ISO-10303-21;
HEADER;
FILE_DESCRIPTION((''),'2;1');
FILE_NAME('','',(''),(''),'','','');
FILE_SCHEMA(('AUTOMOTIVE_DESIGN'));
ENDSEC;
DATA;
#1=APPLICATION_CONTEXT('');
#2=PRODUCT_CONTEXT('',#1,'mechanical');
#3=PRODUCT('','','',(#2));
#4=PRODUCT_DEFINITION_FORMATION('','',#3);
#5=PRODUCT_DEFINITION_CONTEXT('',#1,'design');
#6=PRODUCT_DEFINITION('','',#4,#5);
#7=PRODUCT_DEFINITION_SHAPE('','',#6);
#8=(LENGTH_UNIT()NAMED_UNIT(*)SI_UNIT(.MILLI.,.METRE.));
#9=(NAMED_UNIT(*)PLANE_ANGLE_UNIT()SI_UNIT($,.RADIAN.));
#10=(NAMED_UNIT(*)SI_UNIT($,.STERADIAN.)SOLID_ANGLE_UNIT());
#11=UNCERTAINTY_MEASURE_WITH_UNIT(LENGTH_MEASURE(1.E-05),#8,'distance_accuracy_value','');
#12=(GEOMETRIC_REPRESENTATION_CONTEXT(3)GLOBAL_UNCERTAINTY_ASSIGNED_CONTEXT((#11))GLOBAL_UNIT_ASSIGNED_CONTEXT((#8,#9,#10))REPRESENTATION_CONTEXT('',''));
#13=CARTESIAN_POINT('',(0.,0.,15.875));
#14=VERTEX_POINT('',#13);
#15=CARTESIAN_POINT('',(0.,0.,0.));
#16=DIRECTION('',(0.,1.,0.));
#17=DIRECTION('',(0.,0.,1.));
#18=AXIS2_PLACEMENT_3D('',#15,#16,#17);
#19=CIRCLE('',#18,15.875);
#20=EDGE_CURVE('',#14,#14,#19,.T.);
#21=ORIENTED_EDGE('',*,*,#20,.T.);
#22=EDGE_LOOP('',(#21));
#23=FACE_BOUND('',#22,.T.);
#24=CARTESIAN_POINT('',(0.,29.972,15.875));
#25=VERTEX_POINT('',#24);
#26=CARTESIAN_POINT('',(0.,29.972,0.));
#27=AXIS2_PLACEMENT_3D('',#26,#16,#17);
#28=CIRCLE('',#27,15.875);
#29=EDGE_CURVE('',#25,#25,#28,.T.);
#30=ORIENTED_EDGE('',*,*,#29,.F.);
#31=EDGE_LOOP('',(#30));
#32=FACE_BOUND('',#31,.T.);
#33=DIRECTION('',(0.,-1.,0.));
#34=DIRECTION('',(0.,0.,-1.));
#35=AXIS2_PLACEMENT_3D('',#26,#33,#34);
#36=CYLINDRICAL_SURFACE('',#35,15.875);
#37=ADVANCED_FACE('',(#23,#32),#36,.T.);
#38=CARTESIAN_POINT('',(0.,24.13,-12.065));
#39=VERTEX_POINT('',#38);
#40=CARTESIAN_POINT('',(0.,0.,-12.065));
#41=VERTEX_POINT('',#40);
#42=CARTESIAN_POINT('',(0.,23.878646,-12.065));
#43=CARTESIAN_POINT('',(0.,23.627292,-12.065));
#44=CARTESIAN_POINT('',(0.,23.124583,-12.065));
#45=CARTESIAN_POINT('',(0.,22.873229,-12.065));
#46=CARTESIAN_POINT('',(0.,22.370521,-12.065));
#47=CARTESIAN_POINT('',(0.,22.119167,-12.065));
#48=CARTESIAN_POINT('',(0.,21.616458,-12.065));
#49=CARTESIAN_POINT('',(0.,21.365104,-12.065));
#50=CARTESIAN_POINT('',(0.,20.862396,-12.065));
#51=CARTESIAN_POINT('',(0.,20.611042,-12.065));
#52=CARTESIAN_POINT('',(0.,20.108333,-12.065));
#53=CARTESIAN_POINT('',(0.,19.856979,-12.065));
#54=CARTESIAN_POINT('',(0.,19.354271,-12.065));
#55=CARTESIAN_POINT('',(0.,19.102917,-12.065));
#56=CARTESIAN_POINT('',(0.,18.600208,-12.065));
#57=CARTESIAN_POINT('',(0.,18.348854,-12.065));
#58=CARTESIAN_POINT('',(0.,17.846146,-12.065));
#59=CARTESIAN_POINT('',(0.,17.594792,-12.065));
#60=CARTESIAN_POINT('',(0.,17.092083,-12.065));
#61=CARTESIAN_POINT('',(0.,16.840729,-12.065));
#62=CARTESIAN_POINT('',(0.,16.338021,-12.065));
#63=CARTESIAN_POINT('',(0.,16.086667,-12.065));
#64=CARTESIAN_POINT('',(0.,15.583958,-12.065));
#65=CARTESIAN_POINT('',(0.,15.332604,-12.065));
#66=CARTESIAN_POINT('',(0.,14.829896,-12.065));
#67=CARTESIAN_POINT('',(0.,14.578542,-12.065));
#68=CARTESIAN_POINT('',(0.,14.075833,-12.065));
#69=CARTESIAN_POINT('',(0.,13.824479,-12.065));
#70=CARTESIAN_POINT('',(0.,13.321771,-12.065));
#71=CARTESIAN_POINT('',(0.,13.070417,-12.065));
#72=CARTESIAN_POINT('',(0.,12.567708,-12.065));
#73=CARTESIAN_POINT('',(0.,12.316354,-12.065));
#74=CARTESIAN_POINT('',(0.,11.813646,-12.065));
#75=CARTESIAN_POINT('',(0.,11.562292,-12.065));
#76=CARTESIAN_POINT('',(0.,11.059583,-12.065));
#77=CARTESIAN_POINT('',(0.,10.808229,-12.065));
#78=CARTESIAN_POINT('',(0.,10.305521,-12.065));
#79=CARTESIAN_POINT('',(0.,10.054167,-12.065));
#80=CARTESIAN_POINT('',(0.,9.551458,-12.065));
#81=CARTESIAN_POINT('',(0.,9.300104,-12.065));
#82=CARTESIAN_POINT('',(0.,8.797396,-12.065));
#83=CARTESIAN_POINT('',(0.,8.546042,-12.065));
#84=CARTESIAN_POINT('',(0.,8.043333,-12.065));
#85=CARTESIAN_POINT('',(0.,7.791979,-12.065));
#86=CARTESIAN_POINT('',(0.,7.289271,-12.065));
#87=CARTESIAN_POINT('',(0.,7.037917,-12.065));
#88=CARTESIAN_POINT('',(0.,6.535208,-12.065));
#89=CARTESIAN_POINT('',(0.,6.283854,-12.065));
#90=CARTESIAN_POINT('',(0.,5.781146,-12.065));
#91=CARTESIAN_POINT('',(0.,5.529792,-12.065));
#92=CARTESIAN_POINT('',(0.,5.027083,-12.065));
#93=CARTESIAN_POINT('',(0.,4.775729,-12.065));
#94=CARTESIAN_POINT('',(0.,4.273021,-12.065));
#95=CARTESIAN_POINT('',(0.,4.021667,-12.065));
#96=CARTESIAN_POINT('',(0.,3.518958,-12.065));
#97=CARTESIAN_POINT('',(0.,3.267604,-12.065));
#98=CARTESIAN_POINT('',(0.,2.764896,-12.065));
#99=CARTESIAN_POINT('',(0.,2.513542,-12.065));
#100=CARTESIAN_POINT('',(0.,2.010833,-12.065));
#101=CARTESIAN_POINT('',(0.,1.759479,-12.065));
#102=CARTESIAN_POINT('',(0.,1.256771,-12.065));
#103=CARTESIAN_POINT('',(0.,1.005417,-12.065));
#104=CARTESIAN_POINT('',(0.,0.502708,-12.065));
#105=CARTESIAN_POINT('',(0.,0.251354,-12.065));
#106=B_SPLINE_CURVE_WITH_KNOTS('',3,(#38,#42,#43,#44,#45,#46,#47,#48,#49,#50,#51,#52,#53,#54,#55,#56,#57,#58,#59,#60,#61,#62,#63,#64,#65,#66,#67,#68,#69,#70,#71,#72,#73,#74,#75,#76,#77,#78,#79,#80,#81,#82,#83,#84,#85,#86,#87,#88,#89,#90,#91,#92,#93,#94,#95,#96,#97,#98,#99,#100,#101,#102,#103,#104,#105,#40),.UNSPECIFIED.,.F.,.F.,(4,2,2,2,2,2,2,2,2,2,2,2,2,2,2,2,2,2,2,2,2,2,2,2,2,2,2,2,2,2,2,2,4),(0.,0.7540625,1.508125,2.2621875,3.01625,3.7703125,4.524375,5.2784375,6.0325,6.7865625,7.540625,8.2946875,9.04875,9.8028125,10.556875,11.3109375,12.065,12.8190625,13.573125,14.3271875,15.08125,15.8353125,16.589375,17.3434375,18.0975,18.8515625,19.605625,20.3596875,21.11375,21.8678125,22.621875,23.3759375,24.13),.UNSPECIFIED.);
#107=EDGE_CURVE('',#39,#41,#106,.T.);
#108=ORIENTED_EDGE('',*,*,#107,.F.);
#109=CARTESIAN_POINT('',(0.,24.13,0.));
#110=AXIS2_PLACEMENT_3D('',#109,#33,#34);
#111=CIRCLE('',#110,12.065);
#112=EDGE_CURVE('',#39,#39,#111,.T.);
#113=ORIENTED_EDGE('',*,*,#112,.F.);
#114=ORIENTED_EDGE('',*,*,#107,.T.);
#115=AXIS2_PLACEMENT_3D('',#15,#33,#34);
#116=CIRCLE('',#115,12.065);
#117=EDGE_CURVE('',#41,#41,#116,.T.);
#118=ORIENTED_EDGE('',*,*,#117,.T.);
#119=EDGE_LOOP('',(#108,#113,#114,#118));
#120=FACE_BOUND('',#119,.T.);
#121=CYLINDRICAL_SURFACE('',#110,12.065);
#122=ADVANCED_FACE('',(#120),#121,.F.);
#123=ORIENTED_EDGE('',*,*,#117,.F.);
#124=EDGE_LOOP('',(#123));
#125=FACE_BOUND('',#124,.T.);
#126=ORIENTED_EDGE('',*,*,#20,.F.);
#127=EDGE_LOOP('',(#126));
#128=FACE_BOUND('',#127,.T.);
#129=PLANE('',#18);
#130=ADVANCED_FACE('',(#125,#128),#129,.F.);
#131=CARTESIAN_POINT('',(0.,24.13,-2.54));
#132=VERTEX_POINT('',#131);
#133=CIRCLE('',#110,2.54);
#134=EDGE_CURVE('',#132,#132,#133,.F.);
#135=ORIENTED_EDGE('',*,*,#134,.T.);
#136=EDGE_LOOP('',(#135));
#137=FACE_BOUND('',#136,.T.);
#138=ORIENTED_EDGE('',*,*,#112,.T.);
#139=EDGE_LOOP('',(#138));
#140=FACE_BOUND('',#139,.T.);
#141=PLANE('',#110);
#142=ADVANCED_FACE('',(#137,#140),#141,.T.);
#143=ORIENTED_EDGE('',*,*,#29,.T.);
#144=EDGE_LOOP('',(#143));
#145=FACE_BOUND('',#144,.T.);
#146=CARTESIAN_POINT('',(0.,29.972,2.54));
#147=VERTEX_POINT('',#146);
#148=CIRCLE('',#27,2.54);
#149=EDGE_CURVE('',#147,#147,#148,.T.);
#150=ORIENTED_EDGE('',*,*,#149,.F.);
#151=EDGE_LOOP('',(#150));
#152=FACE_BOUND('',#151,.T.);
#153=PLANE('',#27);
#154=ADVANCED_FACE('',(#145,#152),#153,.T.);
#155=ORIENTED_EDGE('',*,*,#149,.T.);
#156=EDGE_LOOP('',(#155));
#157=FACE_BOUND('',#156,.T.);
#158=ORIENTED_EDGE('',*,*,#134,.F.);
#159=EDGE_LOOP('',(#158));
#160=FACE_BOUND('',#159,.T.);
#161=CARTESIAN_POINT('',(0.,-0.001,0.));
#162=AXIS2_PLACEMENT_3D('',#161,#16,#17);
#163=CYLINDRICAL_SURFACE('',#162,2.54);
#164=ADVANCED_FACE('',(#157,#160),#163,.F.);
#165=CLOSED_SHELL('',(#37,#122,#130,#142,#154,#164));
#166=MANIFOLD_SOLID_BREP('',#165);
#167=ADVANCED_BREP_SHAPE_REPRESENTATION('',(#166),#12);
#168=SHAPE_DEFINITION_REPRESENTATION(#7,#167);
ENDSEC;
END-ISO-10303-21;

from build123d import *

# Parameters (mm, degrees)
SKETCH2_R           = 15.875
BOSS_EXTRUDE1_DEPTH = 29.972
SKETCH3_R           = 12.065
CUT_EXTRUDE1_DEPTH  = 24.13
CUT_EXTRUDE2_REACH  = 39.448
SKETCH4_R           = 2.54


with BuildPart() as part:
    # Sketch2 → Boss-Extrude1 (new body)
    with BuildSketch(Plane(origin=(0, 0, 0), x_dir=(1, 0, 0), z_dir=(0, 1, 0))):
        with Locations(Location((0, 0, 0), (0, 0, 270))):
            Circle(SKETCH2_R)
    extrude(amount=BOSS_EXTRUDE1_DEPTH)

    # Sketch3 → Cut-Extrude1 (cut)
    with BuildSketch(Plane.XZ):
        with Locations(Location((0, 0, 0), (0, 0, 270))):
            Circle(SKETCH3_R)
    extrude(amount=-CUT_EXTRUDE1_DEPTH, mode=Mode.SUBTRACT)

    # Sketch4 → Cut-Extrude2 (cut, up to next)
    with BuildSketch(Plane(origin=(0, 29.972, 0), x_dir=(1, 0, 0), z_dir=(0, 1, 0)), mode=Mode.PRIVATE) as cut_extrude2_sk1:
        with Locations(Location((0, 0, 0), (0, 0, 270))):
            Circle(SKETCH4_R)
    cut_extrude2_tool1 = extrude(cut_extrude2_sk1.sketch, amount=-CUT_EXTRUDE2_REACH, mode=Mode.PRIVATE) & part.part
    add(cut_extrude2_tool1.solids().sort_by_distance((0, 29.972, 0))[0], mode=Mode.SUBTRACT)


solid = part.part
